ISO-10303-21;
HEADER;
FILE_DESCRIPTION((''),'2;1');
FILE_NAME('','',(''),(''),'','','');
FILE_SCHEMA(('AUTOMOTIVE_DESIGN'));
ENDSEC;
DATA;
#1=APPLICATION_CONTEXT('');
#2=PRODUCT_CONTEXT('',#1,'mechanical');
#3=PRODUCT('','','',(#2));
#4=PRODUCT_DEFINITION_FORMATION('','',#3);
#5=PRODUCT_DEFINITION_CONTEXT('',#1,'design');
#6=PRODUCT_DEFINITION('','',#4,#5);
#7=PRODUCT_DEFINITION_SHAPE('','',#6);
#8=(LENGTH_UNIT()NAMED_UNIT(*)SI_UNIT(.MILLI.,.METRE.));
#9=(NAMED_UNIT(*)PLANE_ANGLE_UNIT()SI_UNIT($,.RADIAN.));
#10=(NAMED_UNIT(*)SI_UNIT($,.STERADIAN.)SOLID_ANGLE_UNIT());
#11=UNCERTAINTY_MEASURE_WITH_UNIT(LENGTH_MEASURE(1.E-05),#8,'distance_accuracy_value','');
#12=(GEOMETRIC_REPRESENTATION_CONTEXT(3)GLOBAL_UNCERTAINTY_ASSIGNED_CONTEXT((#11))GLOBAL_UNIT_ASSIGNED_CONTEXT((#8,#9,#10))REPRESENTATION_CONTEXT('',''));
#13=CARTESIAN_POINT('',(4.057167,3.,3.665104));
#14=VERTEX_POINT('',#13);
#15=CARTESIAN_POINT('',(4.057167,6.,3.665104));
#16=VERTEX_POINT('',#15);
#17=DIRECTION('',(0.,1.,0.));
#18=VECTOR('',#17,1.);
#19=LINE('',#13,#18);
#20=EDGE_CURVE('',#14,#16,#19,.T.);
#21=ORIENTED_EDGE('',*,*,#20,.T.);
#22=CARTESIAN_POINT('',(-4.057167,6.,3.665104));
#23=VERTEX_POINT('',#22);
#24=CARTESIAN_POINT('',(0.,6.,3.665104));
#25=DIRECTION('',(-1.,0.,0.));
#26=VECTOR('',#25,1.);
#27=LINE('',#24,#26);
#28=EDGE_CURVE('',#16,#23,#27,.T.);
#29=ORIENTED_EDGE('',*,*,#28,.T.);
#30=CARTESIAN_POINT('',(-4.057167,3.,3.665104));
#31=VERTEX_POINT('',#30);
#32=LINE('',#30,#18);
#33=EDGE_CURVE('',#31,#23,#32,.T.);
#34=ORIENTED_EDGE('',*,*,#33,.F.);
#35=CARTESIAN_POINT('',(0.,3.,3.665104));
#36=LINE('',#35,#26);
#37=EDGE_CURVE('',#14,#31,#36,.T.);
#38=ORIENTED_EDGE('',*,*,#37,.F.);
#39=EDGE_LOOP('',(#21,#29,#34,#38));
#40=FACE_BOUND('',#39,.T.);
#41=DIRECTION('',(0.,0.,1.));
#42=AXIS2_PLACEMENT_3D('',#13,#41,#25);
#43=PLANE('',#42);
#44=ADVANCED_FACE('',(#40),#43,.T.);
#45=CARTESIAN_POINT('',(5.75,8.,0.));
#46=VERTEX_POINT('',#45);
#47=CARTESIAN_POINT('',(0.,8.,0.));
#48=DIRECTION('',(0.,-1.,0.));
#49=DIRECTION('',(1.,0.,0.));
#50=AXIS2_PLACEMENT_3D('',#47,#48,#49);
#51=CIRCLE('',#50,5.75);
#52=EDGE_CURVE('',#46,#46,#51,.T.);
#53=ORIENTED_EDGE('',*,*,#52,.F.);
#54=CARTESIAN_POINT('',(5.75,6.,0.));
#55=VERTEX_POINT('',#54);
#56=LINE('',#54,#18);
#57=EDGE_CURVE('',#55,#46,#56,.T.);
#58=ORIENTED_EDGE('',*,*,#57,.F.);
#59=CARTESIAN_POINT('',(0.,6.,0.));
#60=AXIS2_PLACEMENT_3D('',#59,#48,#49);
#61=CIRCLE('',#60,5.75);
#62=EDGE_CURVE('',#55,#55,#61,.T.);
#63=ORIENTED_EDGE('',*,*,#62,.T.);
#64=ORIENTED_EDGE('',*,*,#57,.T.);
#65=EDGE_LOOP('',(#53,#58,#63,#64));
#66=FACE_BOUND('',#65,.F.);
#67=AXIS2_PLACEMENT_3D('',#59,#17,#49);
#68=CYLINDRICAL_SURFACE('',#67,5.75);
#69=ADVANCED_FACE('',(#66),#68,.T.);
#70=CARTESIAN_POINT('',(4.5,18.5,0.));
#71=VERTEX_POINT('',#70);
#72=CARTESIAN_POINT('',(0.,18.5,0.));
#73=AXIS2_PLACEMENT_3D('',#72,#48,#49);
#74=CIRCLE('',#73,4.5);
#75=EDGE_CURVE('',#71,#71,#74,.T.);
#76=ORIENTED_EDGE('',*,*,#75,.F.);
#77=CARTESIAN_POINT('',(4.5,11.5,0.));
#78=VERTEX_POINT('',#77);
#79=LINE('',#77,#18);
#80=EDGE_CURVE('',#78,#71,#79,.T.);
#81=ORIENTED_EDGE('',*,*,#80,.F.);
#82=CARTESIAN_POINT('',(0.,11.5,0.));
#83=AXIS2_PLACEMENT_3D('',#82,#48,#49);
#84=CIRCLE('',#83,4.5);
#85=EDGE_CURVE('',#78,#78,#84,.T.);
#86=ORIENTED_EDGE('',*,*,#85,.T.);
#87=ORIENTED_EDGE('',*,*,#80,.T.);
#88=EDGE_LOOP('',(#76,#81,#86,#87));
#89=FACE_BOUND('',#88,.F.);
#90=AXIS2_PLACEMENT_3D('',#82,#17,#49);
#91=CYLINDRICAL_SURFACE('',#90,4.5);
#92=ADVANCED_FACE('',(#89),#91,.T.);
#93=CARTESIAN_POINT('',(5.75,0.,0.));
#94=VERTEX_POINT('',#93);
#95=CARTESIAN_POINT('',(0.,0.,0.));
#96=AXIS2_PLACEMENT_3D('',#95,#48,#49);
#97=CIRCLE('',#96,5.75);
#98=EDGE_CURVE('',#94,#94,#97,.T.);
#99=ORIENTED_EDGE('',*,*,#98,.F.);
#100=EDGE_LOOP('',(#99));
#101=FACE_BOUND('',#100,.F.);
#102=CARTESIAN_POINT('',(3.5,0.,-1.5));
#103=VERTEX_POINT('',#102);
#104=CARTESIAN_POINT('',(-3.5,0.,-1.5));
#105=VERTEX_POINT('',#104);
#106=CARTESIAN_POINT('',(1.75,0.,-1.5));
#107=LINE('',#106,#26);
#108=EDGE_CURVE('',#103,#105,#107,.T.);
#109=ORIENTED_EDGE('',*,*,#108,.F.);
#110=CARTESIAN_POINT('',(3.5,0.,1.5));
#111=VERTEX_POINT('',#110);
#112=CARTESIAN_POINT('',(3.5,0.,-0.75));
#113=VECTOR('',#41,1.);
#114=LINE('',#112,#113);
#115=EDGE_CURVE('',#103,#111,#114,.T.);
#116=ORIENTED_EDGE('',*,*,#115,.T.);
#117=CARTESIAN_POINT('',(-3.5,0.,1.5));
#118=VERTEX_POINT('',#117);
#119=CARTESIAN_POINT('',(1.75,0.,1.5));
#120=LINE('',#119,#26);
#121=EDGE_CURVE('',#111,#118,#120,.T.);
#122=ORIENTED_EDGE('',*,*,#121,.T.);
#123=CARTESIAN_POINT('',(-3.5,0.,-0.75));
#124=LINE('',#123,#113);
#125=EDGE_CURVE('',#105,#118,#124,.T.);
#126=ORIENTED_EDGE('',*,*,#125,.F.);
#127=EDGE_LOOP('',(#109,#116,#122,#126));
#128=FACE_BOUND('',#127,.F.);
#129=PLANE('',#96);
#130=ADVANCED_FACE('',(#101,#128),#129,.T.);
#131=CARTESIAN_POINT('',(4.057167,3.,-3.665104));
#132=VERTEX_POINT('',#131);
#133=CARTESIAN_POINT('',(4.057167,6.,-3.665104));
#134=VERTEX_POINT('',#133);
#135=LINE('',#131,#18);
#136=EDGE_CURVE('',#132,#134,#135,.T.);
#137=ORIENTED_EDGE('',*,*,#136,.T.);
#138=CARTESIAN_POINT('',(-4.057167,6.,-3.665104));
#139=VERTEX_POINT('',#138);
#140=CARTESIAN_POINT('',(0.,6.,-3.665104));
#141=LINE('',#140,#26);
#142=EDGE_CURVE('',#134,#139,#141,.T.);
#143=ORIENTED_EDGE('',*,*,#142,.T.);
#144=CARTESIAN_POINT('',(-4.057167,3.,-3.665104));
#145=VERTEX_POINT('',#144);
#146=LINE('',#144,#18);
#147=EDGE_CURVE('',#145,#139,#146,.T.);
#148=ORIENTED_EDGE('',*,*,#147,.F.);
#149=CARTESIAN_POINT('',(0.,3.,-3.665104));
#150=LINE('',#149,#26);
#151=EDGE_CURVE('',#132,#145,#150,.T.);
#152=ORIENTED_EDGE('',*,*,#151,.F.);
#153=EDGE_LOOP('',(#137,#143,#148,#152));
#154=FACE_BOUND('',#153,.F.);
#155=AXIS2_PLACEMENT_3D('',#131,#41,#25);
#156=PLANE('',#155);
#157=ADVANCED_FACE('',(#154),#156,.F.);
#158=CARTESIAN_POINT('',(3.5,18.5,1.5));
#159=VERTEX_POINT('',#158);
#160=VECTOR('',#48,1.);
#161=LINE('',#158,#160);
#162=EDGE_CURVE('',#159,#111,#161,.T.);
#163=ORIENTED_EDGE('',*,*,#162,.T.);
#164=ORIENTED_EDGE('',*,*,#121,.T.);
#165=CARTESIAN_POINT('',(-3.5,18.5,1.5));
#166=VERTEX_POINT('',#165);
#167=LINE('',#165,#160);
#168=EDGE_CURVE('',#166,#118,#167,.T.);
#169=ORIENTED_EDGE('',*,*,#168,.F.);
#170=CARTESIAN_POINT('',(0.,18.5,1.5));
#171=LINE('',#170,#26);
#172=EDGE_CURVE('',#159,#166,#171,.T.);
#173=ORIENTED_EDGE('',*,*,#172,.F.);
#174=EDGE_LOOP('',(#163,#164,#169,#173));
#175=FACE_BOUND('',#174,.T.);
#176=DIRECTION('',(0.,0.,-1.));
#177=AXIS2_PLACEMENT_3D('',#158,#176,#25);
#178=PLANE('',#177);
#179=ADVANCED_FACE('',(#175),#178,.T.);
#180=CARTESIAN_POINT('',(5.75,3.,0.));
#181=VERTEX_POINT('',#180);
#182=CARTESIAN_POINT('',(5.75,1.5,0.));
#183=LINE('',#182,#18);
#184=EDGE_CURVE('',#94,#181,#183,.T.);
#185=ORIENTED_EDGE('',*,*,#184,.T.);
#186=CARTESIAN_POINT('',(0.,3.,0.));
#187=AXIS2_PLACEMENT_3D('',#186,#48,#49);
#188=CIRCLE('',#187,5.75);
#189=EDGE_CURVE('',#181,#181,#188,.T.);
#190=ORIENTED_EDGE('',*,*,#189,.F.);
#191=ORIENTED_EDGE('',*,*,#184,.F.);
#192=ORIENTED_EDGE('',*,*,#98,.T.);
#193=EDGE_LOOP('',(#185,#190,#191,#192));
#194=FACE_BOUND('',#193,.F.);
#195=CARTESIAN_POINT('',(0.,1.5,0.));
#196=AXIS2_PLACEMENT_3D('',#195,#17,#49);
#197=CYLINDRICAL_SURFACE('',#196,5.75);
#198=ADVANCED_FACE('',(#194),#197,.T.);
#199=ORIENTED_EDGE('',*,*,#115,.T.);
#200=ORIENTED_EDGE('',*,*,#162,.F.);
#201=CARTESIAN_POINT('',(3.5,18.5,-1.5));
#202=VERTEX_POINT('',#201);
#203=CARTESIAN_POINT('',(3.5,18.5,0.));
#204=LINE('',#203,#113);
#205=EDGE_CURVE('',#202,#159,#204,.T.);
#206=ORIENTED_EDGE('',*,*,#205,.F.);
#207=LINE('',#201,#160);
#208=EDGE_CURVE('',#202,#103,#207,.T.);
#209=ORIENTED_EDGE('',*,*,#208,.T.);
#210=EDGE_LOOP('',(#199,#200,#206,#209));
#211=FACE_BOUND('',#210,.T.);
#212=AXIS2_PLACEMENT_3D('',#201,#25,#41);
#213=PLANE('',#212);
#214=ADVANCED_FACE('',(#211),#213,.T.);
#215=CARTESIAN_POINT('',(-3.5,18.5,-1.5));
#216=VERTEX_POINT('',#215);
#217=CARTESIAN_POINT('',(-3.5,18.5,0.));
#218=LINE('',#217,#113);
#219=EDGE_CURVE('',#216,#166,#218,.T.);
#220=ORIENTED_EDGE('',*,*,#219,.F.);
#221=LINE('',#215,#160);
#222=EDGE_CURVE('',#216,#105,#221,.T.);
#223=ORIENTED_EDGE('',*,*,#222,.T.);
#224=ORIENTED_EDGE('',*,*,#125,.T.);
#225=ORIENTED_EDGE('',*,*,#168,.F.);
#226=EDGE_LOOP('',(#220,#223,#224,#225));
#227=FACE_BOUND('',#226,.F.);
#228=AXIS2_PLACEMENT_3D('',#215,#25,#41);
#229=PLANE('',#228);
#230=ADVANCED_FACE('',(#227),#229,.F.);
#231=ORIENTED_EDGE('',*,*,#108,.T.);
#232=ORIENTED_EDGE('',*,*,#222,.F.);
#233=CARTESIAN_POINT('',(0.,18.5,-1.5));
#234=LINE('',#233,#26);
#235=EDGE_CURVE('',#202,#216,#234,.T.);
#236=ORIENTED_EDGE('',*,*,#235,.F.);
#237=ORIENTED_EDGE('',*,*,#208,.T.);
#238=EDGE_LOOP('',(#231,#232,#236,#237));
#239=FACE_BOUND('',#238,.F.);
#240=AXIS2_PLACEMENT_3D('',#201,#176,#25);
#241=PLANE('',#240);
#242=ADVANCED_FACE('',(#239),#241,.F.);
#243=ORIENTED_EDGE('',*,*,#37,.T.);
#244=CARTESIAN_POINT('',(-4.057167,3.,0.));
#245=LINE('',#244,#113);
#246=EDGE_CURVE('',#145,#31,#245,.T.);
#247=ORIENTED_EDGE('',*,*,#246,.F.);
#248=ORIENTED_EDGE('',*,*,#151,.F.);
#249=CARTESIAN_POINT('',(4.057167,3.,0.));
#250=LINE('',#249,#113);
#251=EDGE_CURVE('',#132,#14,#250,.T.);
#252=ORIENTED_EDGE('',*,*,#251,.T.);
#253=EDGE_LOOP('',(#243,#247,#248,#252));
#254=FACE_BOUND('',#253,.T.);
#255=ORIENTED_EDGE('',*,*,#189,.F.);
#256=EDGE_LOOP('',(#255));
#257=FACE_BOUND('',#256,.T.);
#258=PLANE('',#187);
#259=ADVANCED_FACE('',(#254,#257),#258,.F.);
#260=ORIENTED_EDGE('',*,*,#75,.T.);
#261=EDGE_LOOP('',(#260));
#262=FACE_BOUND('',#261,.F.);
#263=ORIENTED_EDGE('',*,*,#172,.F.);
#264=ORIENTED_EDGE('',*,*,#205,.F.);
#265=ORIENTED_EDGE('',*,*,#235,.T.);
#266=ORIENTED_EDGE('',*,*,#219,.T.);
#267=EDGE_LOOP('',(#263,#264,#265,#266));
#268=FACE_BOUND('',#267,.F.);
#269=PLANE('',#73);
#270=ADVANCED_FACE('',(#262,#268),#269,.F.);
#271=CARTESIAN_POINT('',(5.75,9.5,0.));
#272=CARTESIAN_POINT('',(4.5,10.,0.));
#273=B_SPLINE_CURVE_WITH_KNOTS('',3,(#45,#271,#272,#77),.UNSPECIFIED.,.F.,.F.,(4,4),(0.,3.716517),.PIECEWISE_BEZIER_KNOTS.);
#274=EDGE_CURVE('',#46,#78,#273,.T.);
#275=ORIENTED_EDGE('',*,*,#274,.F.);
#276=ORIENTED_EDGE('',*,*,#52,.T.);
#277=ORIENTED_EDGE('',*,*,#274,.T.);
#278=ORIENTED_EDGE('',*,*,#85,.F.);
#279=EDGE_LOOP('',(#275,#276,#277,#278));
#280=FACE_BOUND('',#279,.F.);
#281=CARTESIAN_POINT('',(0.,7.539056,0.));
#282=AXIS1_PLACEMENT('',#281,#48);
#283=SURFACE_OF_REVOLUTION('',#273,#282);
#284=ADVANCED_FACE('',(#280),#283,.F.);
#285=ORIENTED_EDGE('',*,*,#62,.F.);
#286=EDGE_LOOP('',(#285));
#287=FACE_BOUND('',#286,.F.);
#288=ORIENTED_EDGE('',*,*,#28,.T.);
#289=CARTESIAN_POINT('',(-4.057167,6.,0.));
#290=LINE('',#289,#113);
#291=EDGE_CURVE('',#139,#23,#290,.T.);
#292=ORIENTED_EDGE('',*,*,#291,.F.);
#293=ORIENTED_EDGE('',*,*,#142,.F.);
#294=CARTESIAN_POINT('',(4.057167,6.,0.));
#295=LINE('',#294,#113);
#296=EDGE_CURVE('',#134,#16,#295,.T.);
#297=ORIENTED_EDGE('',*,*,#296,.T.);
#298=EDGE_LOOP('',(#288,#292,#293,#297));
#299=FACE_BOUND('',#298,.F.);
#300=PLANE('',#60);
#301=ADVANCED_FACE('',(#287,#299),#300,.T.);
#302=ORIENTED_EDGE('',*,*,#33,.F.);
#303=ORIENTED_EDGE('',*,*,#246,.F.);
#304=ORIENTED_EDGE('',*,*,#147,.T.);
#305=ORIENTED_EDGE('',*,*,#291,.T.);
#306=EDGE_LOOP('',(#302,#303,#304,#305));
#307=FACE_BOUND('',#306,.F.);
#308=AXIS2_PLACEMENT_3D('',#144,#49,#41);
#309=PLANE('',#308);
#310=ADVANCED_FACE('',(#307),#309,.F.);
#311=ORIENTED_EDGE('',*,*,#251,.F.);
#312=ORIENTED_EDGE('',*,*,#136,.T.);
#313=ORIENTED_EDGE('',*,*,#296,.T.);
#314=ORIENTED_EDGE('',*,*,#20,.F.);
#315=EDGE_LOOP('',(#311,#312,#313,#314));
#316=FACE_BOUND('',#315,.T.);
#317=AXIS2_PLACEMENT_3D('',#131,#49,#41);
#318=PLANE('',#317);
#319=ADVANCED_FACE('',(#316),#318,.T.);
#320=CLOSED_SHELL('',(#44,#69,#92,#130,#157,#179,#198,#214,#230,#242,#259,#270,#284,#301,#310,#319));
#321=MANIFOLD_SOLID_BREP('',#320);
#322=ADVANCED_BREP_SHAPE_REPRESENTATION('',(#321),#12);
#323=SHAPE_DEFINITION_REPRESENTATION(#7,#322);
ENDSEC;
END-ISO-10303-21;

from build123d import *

# Parameters (mm, degrees)
F0_W     = 5.75
F0_H     = 3
F2_W     = 8.114334
F2_H     = 7.330208
F3_DEPTH = 3
F4_W     = 7
F4_H     = 3
F5_DEPTH = 18.501


with BuildPart() as f1:
    # F0 (on Top) → F1 (revolve)
    with BuildSketch(Plane.XY):
        with BuildLine():
            Line((4.5, 18.5), (0, 18.5))
            Line((0, 18.5), (0, 6))
            Line((0, 6), (5.75, 6))
            Line((5.75, 6), (5.75, 8))
            add(Edge.make_bspline(
                [(5.75, 8), (5.75, 9.5), (4.5, 10), (4.5, 11.5)],
                knots=[0, 0, 0, 0, 3.716517, 3.716517, 3.716517, 3.716517], degree=3))
            Line((4.5, 11.5), (4.5, 18.5))
        make_face()
        with Locations((2.875, 1.5)):
            Rectangle(F0_W, F0_H)
    revolve(axis=Axis((0, 7.539056, 0), (0, -1, 0)))

    # F2 (on face) → F3 (join, through all)
    with BuildSketch(Plane(origin=(0, 3, 0), x_dir=(-1, 0, 0), z_dir=(0, 1, 0))):
        Rectangle(F2_W, F2_H)
    extrude(amount=F3_DEPTH)

    # F4 (on face) → F5 (cut, through all)
    with BuildSketch(Plane(origin=(0, 18.5, 0), x_dir=(-1, 0, 0), z_dir=(0, 1, 0))):
        Rectangle(F4_W, F4_H)
    extrude(amount=-F5_DEPTH, mode=Mode.SUBTRACT)


solid = f1.part
